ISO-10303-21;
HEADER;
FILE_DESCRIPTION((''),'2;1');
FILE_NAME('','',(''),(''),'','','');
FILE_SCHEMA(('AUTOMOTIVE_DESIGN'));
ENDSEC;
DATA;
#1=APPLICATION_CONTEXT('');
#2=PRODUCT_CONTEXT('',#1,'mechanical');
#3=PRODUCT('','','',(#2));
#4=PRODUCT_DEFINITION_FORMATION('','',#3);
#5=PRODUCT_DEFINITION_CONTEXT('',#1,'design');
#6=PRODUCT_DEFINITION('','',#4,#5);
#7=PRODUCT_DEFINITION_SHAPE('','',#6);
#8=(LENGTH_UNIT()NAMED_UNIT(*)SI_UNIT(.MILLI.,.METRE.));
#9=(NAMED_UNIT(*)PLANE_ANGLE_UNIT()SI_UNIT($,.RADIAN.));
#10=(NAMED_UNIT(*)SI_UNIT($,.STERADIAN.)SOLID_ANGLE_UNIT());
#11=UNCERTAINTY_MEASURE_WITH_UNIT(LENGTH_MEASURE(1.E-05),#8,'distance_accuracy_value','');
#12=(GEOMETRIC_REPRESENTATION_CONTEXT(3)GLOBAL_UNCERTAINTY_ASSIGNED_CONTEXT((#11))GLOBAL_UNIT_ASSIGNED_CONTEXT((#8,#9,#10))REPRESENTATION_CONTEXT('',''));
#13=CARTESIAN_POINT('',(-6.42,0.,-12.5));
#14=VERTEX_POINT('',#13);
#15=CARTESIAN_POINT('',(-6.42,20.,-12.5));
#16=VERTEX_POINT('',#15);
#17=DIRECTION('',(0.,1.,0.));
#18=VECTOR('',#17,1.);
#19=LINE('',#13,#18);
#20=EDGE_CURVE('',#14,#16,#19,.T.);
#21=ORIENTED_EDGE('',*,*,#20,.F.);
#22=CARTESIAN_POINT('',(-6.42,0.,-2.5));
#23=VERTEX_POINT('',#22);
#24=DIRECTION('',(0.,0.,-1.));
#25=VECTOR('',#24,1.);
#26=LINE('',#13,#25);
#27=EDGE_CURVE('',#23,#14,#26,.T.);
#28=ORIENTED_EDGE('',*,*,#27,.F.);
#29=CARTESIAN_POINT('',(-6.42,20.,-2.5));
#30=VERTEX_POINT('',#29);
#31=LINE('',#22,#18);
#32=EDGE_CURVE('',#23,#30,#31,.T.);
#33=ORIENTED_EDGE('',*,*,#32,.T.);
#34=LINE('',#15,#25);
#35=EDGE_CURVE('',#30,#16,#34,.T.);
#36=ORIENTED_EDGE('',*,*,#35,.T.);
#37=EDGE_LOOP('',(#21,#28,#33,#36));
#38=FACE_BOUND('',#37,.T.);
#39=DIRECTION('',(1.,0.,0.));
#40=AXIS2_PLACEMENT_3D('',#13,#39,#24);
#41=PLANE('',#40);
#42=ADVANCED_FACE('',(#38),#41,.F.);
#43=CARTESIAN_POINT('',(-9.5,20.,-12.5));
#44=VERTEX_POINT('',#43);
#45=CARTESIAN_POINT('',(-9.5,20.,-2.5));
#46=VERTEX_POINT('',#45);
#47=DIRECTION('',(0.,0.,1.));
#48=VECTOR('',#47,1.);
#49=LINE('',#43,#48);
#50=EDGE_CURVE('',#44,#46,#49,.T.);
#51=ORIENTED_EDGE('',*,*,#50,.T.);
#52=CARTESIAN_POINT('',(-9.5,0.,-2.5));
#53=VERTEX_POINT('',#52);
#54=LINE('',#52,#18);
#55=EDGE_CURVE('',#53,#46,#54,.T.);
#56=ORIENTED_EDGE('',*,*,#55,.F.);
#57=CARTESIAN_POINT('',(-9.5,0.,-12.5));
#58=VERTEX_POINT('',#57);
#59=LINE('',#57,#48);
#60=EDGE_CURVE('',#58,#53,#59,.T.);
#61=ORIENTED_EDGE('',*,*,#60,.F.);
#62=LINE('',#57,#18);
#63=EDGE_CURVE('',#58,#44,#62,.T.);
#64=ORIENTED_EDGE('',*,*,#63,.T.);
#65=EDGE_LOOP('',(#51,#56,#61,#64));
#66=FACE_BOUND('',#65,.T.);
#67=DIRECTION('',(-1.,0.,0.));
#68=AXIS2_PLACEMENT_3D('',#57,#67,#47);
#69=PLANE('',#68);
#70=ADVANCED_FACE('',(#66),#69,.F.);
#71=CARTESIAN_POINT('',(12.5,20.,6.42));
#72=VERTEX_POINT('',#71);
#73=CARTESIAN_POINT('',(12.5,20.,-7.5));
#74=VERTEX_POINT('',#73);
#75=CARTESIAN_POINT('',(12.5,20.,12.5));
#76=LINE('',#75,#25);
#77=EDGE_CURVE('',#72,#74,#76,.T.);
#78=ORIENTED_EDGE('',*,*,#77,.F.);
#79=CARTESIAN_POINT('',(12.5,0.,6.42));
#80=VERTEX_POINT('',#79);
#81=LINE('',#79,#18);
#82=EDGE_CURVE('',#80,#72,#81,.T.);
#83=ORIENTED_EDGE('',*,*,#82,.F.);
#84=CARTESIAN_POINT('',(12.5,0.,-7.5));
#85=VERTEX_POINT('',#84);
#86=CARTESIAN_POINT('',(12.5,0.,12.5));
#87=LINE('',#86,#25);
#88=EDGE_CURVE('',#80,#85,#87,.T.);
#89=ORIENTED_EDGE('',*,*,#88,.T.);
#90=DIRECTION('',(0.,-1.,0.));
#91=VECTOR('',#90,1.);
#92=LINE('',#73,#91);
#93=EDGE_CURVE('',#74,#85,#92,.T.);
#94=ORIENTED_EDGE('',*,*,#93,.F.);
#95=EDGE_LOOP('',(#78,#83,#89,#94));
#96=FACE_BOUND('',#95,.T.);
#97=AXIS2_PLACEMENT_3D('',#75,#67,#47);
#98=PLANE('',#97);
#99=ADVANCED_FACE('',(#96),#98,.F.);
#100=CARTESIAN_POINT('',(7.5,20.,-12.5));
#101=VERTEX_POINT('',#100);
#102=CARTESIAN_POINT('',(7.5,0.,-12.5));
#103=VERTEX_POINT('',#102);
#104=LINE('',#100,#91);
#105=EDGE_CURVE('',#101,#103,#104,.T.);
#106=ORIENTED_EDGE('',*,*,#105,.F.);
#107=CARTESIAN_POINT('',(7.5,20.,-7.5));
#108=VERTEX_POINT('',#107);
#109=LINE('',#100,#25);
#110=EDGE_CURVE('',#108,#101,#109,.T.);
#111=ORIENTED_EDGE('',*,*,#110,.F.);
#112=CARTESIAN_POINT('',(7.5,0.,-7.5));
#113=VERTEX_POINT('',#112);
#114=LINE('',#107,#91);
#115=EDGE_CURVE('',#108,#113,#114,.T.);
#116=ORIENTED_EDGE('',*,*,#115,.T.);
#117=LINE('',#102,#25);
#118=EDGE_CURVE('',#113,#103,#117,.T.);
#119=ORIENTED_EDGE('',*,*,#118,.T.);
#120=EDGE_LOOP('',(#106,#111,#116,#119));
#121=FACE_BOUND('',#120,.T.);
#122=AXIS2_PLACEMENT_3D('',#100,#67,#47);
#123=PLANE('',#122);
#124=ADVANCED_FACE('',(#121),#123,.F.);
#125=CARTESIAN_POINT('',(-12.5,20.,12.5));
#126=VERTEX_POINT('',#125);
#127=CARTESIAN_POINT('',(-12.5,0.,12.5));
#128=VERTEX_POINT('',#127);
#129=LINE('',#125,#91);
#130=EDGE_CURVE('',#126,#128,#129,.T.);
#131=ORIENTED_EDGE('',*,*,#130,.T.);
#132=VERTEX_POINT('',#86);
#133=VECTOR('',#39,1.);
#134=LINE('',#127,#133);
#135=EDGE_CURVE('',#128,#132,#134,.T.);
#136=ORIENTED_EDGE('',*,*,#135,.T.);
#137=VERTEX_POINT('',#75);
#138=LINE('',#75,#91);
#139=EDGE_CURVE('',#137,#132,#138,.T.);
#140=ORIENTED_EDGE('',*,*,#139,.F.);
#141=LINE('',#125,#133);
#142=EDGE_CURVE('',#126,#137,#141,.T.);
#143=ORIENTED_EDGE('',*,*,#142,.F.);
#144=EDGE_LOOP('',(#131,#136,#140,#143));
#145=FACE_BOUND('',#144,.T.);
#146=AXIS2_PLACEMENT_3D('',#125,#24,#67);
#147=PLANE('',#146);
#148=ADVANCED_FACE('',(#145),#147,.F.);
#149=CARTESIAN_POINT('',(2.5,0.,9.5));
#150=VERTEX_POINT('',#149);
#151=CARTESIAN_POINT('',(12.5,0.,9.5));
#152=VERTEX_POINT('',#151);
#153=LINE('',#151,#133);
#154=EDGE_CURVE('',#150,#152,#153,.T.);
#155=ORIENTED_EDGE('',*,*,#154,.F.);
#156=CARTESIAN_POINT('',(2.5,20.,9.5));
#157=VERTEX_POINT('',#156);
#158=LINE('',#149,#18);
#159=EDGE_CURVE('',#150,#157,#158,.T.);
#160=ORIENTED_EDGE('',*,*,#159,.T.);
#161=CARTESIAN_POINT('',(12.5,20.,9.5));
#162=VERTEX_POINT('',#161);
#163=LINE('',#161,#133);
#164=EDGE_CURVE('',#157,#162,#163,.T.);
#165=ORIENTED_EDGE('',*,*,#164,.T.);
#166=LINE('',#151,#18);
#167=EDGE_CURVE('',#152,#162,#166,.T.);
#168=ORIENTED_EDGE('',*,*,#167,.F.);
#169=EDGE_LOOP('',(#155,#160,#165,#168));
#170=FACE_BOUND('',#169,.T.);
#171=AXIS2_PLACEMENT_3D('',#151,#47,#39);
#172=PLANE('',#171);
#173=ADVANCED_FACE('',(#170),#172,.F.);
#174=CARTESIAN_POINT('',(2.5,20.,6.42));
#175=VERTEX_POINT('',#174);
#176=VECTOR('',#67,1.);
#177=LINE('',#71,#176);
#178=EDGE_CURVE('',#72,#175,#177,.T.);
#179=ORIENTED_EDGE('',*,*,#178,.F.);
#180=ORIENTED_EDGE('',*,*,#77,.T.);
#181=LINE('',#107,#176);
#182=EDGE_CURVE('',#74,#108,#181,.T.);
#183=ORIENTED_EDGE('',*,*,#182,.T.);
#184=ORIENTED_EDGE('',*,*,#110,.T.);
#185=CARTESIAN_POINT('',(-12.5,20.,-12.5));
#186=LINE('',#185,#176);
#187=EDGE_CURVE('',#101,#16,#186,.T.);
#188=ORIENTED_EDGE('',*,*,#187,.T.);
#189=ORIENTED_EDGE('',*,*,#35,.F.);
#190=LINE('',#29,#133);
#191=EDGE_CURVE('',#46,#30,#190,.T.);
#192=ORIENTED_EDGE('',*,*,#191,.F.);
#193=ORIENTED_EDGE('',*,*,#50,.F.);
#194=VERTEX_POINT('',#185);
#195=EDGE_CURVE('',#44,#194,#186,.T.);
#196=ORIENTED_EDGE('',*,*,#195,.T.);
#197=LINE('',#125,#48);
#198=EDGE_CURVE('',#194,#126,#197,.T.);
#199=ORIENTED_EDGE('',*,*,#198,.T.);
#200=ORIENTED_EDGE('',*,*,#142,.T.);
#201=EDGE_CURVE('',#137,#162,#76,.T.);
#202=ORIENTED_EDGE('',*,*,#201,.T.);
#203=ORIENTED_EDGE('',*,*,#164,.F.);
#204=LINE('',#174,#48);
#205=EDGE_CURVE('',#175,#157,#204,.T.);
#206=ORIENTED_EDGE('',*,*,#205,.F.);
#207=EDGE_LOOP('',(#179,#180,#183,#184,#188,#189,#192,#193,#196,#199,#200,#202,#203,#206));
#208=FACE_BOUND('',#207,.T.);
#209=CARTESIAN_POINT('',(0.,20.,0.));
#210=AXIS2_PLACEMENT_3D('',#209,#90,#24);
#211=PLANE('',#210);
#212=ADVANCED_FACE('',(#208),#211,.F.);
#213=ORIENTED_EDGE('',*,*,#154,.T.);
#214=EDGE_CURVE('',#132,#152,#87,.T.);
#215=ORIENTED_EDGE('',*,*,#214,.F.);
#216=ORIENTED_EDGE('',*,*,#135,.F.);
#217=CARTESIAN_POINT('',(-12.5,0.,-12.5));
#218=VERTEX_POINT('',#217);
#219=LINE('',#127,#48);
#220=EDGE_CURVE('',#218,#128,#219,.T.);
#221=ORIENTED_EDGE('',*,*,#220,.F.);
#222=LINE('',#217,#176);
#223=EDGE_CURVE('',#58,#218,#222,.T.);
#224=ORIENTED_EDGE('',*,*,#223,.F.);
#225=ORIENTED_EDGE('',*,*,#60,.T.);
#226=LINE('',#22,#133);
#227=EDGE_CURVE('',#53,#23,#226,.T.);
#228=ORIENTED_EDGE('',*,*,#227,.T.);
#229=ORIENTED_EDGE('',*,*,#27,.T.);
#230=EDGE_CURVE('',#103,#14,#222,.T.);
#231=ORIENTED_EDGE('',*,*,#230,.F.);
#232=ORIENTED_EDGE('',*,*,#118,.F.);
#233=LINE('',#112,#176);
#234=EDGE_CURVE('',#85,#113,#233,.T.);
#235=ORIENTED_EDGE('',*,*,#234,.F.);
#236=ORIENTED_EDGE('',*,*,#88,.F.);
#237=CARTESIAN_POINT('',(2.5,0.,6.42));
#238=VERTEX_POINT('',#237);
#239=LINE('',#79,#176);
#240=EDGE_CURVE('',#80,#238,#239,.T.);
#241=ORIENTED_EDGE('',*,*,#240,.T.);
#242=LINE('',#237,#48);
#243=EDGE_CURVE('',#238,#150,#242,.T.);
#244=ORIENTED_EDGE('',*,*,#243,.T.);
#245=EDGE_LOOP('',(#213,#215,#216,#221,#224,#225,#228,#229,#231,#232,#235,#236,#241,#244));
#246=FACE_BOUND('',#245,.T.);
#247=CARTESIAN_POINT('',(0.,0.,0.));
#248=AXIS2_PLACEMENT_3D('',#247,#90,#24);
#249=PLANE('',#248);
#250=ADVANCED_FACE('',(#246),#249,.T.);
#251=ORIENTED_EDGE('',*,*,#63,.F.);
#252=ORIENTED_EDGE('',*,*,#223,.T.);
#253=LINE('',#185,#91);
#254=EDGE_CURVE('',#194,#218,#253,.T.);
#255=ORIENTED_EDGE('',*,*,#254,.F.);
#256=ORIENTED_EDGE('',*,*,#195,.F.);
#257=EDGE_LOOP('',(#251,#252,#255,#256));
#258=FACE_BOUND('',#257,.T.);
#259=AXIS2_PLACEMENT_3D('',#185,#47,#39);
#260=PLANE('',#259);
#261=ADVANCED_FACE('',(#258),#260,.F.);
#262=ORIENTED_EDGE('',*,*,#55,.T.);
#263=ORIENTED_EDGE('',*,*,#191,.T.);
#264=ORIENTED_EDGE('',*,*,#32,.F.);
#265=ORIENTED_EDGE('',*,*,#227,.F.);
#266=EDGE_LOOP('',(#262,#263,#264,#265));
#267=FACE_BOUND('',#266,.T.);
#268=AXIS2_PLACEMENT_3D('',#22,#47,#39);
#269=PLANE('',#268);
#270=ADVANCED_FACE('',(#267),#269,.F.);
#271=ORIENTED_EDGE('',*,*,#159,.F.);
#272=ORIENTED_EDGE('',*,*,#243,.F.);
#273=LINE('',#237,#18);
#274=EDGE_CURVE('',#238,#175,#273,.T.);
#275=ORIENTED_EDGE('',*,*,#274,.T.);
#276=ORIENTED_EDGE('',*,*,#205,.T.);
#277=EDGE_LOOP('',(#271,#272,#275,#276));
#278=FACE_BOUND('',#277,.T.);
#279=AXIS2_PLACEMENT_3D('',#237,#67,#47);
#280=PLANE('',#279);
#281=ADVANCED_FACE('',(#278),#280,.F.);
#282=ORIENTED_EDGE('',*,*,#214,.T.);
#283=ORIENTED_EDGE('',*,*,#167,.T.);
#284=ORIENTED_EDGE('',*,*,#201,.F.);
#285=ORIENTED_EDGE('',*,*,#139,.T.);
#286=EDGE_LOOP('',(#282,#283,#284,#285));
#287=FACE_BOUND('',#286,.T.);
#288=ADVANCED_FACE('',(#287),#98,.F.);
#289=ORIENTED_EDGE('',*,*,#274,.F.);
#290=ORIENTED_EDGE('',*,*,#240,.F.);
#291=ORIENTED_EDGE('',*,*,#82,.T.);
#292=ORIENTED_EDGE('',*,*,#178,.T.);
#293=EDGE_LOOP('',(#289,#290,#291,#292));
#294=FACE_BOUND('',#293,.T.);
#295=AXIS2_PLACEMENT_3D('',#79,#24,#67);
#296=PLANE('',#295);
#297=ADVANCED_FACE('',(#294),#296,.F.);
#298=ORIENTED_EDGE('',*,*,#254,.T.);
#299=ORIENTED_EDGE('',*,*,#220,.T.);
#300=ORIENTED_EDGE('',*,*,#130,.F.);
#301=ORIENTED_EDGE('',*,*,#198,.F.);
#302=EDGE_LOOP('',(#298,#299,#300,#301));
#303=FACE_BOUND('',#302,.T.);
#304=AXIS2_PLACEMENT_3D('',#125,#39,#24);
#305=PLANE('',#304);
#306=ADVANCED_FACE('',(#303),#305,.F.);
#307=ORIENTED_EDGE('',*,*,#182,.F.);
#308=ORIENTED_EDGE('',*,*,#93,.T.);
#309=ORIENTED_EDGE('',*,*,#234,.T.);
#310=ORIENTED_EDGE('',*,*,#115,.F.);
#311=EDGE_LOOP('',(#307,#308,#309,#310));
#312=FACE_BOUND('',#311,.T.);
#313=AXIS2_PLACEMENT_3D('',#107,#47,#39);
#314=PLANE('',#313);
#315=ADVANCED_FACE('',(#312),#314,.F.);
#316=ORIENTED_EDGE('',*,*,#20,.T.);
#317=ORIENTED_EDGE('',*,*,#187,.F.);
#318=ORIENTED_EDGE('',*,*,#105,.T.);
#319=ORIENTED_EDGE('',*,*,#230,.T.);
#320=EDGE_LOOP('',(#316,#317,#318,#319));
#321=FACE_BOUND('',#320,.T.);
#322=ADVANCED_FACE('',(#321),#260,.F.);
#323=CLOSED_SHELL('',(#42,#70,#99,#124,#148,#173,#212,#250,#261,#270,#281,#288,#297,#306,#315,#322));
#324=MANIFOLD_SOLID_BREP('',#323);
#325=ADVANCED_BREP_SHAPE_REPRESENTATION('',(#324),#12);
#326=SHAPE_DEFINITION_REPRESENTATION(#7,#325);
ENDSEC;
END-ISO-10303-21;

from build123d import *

# Parameters (mm, degrees)
SALIENTE_EXTRUIR1_DEPTH = 20
CROQUIS2_W              = 10
CROQUIS2_H              = 3.08
CROQUIS2_W_2            = 3.08
CROQUIS2_H_2            = 10
CORTAR_EXTRUIR2_DEPTH   = 20


with BuildPart() as part:
    # Croquis1 → Saliente-Extruir1 (new body)
    with BuildSketch(Plane(origin=(0, 0, 0), x_dir=(1, 0, 0), z_dir=(0, 1, 0))):
        Polygon((7.5, 12.5), (7.5, 7.5), (12.5, 7.5), (12.5, -12.5), (-12.5, -12.5), (-12.5, 12.5), align=None)
    extrude(amount=SALIENTE_EXTRUIR1_DEPTH)

    # Croquis2 → Cortar-Extruir2 (cut)
    with BuildSketch(Plane(origin=(0, 20, 0), x_dir=(1, 0, 0), z_dir=(0, 1, 0))):
        with Locations((7.5, -7.96)):
            Rectangle(CROQUIS2_W, CROQUIS2_H)
        with Locations((-7.96, 7.5)):
            Rectangle(CROQUIS2_W_2, CROQUIS2_H_2)
    extrude(amount=-CORTAR_EXTRUIR2_DEPTH, mode=Mode.SUBTRACT)


solid = part.part
